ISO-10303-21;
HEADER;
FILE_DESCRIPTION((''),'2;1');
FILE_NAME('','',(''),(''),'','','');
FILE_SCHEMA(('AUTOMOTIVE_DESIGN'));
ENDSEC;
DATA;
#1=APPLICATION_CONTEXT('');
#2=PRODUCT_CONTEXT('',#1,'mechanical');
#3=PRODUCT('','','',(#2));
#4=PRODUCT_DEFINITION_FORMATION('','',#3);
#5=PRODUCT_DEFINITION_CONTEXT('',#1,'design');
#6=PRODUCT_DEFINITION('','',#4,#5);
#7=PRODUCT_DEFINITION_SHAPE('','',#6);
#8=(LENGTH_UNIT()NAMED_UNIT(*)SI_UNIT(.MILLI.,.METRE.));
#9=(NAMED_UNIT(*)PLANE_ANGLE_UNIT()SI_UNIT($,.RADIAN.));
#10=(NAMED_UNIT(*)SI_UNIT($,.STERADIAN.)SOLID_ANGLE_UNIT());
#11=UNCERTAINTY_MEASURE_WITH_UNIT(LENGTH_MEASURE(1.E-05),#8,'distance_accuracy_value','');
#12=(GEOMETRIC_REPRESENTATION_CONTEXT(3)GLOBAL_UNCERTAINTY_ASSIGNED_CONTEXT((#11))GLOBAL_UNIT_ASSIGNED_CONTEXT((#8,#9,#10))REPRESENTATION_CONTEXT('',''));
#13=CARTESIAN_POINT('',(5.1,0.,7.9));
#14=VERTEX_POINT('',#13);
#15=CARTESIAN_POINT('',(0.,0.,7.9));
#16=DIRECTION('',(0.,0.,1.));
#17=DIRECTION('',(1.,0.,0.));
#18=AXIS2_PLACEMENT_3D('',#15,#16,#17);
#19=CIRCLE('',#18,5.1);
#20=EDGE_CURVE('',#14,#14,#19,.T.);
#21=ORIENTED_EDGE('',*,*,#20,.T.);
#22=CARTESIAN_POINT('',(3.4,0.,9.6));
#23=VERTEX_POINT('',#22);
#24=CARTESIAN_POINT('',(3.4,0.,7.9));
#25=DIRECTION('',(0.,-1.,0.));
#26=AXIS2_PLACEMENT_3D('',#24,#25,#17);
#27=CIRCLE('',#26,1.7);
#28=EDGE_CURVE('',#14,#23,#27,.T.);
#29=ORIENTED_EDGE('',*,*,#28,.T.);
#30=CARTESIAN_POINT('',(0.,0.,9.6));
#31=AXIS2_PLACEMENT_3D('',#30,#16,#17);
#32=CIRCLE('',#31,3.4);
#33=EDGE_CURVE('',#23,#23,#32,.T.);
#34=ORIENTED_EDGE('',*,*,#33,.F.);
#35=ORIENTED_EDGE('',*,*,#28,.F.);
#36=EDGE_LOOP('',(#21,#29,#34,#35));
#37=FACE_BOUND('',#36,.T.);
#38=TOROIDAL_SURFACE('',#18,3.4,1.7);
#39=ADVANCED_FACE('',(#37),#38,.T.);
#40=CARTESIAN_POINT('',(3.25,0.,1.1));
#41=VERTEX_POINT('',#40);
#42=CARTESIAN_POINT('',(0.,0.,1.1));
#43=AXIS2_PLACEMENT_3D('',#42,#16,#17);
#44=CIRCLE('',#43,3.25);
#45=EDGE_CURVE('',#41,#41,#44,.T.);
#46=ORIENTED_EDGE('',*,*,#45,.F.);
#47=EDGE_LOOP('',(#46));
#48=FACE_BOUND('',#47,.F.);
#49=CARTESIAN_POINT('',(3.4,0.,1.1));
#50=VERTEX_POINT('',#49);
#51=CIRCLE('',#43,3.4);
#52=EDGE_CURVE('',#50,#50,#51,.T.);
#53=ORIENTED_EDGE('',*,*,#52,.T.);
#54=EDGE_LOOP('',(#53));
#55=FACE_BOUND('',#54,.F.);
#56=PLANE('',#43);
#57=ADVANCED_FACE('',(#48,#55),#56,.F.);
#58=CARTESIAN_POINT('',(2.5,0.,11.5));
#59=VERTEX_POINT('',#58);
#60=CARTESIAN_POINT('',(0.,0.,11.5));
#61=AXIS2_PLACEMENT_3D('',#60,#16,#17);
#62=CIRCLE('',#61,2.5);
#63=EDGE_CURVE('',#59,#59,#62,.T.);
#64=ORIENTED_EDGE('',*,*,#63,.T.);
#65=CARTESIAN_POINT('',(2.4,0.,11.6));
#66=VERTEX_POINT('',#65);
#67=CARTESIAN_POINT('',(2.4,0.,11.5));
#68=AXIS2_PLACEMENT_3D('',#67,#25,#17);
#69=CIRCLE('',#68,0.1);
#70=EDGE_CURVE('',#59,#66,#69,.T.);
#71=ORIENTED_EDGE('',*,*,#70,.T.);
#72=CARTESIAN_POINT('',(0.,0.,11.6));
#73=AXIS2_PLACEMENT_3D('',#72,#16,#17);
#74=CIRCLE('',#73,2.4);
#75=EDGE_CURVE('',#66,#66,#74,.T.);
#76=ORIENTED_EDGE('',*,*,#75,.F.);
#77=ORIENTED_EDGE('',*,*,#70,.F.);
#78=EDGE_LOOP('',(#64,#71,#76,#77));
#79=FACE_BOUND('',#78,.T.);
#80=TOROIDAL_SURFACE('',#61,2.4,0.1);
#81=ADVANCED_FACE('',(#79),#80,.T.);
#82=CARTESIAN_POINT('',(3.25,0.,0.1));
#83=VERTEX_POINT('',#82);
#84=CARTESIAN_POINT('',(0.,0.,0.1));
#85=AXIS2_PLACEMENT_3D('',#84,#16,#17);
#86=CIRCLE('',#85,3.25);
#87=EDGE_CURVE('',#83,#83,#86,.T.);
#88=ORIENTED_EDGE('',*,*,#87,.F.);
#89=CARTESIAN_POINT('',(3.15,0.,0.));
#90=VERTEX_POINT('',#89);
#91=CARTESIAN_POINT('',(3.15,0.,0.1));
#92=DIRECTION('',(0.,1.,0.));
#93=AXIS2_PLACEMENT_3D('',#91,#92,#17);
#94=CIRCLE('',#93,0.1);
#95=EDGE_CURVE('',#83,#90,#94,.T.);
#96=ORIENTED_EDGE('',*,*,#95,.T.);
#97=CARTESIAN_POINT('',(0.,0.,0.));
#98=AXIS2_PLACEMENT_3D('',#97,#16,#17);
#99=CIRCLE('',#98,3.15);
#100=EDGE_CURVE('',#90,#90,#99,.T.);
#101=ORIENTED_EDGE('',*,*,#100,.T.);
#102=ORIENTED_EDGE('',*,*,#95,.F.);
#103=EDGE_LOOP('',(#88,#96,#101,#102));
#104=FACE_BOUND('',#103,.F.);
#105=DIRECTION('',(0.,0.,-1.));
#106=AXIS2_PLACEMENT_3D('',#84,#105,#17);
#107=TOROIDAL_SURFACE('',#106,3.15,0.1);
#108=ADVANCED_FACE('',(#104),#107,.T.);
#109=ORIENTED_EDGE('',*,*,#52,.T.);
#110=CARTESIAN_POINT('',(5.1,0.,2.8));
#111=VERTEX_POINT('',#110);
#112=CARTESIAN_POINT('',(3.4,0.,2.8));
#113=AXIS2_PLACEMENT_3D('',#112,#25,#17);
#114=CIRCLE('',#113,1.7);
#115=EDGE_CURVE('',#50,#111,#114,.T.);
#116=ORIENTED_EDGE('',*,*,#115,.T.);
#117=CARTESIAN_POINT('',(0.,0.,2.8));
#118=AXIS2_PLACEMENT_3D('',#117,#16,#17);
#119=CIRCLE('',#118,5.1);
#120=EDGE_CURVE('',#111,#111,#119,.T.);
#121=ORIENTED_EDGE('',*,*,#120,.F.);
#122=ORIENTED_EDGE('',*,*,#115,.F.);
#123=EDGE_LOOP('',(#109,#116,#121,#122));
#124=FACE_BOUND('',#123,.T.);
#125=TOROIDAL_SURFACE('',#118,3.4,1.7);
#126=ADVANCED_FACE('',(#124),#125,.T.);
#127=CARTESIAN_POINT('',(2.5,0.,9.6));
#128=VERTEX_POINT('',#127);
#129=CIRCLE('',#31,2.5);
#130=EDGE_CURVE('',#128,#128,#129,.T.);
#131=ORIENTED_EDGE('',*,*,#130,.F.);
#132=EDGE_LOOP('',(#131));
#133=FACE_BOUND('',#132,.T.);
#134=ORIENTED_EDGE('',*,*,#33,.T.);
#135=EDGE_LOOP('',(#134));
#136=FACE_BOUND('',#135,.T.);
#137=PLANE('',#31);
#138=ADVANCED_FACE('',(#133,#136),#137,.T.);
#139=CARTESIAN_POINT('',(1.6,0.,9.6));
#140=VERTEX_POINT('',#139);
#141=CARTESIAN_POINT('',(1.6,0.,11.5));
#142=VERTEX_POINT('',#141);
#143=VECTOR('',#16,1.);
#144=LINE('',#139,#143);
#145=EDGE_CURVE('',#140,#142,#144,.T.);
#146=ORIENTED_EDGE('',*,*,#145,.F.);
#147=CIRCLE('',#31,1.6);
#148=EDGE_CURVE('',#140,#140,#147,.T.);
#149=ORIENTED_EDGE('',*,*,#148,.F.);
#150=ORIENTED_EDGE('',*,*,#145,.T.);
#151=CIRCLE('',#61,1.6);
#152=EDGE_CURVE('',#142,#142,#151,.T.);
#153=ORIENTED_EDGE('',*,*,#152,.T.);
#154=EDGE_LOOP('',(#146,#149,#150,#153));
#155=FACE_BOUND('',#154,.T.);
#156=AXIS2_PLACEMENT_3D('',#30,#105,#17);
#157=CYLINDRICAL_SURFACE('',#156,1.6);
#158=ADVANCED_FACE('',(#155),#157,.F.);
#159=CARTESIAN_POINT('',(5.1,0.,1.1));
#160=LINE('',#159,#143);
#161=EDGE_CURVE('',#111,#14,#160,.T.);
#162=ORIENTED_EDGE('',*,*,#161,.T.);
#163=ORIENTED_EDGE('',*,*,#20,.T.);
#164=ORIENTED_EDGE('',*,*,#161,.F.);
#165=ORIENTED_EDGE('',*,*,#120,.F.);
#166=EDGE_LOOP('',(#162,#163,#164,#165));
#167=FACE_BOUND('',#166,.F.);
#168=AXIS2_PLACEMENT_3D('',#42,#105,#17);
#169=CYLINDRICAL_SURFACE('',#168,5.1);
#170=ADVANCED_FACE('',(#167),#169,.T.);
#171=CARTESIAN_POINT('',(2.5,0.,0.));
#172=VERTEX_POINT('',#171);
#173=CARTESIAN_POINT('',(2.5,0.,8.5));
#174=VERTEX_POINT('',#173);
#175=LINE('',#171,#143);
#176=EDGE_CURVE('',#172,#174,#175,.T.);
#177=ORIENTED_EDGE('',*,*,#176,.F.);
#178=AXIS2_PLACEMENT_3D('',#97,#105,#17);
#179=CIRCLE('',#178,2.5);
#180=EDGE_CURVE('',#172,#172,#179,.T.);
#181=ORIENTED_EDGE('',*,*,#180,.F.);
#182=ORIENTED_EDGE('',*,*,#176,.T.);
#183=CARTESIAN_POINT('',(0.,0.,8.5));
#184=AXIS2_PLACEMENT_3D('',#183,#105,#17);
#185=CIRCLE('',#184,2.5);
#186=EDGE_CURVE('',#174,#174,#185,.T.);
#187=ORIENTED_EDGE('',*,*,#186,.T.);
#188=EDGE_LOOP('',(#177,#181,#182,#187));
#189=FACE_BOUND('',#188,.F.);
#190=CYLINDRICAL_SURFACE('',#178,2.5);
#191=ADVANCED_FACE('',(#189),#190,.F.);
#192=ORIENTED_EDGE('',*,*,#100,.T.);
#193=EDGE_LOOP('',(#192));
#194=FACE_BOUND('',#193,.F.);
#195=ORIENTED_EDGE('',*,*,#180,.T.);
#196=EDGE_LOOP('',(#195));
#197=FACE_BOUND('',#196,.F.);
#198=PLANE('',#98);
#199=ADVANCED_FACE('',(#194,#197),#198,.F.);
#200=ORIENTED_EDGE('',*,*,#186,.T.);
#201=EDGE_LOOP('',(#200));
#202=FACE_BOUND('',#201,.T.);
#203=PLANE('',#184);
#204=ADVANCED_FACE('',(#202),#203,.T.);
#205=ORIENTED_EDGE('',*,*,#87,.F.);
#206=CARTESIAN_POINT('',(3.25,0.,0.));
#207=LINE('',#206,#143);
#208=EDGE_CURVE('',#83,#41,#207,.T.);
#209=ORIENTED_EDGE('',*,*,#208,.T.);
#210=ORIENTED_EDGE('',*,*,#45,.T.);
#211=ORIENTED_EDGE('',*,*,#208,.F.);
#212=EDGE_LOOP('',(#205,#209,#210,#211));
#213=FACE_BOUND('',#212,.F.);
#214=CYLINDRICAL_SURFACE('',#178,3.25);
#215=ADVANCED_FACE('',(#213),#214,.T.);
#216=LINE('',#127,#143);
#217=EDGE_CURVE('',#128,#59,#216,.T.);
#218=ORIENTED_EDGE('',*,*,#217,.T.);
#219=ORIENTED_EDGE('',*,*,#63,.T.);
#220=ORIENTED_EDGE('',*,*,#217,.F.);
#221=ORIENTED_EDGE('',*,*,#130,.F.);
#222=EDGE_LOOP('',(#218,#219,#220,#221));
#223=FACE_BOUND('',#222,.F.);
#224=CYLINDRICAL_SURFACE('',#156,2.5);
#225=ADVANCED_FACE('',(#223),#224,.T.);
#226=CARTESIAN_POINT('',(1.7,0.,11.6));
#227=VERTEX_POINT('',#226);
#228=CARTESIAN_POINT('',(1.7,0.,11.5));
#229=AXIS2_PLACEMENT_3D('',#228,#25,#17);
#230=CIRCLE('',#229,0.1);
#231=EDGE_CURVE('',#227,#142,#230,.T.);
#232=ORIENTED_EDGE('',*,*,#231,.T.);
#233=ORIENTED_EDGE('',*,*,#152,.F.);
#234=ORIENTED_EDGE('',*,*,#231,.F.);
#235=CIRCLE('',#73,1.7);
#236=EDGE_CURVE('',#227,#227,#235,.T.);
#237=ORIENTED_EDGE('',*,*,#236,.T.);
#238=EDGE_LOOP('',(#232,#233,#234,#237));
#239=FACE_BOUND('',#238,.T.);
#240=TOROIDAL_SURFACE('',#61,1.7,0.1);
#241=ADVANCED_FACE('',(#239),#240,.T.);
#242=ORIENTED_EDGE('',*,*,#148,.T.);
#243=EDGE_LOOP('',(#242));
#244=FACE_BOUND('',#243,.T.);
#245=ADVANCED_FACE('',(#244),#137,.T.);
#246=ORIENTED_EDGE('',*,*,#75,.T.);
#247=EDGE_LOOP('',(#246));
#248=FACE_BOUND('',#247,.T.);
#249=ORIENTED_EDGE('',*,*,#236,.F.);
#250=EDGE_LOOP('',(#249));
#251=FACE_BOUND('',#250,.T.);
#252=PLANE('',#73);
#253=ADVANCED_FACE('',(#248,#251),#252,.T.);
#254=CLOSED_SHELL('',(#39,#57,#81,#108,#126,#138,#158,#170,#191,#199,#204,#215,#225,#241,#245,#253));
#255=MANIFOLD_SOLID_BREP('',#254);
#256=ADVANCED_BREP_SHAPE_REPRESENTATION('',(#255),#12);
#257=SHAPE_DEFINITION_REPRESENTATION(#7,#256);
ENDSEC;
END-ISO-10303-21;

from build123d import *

# Parameters (mm, degrees)
F0_R     = 3.25
F1_DEPTH = 1.1
F2_R     = 5.1
F3_DEPTH = 8.5
F4_R     = 2.5
F4_R_2   = 1.6
F5_DEPTH = 2
F6_R     = 2.5
F7_DEPTH = 8.5
F8_R     = 0.1
F9_R     = 1.7


with BuildPart() as f1:
    # F0 (on Top) → F1 (new body)
    with BuildSketch(Plane.XY):
        Circle(F0_R)
    extrude(amount=F1_DEPTH)

    # F2 (on face) → F3 (join)
    with BuildSketch(Plane.XY.offset(1.1)):
        Circle(F2_R)
    extrude(amount=F3_DEPTH)

    # F4 (on face) → F5 (join)
    with BuildSketch(Plane.XY.offset(9.6)):
        Circle(F4_R)
        Circle(F4_R_2, mode=Mode.SUBTRACT)
    extrude(amount=F5_DEPTH)

    # F6 (on face) → F7 (cut)
    with BuildSketch(Plane(origin=(0, 0, 0), x_dir=(1, 0, 0), z_dir=(0, 0, -1))):
        Circle(F6_R)
    extrude(amount=-F7_DEPTH, mode=Mode.SUBTRACT)

    # F8
    f8_edges = [f1.edges().sort_by_distance(p)[0] for p in [
        (-3.25, 0, 0),
        (-2.5, 0, 11.6),
        (-1.6, 0, 11.6),
    ]]
    fillet(f8_edges, radius=F8_R)

    # F9
    f9_edges = [f1.edges().sort_by_distance(p)[0] for p in [
        (-5.1, 0, 9.6),
        (-5.1, 0, 1.1),
    ]]
    fillet(f9_edges, radius=F9_R)


solid = f1.part
